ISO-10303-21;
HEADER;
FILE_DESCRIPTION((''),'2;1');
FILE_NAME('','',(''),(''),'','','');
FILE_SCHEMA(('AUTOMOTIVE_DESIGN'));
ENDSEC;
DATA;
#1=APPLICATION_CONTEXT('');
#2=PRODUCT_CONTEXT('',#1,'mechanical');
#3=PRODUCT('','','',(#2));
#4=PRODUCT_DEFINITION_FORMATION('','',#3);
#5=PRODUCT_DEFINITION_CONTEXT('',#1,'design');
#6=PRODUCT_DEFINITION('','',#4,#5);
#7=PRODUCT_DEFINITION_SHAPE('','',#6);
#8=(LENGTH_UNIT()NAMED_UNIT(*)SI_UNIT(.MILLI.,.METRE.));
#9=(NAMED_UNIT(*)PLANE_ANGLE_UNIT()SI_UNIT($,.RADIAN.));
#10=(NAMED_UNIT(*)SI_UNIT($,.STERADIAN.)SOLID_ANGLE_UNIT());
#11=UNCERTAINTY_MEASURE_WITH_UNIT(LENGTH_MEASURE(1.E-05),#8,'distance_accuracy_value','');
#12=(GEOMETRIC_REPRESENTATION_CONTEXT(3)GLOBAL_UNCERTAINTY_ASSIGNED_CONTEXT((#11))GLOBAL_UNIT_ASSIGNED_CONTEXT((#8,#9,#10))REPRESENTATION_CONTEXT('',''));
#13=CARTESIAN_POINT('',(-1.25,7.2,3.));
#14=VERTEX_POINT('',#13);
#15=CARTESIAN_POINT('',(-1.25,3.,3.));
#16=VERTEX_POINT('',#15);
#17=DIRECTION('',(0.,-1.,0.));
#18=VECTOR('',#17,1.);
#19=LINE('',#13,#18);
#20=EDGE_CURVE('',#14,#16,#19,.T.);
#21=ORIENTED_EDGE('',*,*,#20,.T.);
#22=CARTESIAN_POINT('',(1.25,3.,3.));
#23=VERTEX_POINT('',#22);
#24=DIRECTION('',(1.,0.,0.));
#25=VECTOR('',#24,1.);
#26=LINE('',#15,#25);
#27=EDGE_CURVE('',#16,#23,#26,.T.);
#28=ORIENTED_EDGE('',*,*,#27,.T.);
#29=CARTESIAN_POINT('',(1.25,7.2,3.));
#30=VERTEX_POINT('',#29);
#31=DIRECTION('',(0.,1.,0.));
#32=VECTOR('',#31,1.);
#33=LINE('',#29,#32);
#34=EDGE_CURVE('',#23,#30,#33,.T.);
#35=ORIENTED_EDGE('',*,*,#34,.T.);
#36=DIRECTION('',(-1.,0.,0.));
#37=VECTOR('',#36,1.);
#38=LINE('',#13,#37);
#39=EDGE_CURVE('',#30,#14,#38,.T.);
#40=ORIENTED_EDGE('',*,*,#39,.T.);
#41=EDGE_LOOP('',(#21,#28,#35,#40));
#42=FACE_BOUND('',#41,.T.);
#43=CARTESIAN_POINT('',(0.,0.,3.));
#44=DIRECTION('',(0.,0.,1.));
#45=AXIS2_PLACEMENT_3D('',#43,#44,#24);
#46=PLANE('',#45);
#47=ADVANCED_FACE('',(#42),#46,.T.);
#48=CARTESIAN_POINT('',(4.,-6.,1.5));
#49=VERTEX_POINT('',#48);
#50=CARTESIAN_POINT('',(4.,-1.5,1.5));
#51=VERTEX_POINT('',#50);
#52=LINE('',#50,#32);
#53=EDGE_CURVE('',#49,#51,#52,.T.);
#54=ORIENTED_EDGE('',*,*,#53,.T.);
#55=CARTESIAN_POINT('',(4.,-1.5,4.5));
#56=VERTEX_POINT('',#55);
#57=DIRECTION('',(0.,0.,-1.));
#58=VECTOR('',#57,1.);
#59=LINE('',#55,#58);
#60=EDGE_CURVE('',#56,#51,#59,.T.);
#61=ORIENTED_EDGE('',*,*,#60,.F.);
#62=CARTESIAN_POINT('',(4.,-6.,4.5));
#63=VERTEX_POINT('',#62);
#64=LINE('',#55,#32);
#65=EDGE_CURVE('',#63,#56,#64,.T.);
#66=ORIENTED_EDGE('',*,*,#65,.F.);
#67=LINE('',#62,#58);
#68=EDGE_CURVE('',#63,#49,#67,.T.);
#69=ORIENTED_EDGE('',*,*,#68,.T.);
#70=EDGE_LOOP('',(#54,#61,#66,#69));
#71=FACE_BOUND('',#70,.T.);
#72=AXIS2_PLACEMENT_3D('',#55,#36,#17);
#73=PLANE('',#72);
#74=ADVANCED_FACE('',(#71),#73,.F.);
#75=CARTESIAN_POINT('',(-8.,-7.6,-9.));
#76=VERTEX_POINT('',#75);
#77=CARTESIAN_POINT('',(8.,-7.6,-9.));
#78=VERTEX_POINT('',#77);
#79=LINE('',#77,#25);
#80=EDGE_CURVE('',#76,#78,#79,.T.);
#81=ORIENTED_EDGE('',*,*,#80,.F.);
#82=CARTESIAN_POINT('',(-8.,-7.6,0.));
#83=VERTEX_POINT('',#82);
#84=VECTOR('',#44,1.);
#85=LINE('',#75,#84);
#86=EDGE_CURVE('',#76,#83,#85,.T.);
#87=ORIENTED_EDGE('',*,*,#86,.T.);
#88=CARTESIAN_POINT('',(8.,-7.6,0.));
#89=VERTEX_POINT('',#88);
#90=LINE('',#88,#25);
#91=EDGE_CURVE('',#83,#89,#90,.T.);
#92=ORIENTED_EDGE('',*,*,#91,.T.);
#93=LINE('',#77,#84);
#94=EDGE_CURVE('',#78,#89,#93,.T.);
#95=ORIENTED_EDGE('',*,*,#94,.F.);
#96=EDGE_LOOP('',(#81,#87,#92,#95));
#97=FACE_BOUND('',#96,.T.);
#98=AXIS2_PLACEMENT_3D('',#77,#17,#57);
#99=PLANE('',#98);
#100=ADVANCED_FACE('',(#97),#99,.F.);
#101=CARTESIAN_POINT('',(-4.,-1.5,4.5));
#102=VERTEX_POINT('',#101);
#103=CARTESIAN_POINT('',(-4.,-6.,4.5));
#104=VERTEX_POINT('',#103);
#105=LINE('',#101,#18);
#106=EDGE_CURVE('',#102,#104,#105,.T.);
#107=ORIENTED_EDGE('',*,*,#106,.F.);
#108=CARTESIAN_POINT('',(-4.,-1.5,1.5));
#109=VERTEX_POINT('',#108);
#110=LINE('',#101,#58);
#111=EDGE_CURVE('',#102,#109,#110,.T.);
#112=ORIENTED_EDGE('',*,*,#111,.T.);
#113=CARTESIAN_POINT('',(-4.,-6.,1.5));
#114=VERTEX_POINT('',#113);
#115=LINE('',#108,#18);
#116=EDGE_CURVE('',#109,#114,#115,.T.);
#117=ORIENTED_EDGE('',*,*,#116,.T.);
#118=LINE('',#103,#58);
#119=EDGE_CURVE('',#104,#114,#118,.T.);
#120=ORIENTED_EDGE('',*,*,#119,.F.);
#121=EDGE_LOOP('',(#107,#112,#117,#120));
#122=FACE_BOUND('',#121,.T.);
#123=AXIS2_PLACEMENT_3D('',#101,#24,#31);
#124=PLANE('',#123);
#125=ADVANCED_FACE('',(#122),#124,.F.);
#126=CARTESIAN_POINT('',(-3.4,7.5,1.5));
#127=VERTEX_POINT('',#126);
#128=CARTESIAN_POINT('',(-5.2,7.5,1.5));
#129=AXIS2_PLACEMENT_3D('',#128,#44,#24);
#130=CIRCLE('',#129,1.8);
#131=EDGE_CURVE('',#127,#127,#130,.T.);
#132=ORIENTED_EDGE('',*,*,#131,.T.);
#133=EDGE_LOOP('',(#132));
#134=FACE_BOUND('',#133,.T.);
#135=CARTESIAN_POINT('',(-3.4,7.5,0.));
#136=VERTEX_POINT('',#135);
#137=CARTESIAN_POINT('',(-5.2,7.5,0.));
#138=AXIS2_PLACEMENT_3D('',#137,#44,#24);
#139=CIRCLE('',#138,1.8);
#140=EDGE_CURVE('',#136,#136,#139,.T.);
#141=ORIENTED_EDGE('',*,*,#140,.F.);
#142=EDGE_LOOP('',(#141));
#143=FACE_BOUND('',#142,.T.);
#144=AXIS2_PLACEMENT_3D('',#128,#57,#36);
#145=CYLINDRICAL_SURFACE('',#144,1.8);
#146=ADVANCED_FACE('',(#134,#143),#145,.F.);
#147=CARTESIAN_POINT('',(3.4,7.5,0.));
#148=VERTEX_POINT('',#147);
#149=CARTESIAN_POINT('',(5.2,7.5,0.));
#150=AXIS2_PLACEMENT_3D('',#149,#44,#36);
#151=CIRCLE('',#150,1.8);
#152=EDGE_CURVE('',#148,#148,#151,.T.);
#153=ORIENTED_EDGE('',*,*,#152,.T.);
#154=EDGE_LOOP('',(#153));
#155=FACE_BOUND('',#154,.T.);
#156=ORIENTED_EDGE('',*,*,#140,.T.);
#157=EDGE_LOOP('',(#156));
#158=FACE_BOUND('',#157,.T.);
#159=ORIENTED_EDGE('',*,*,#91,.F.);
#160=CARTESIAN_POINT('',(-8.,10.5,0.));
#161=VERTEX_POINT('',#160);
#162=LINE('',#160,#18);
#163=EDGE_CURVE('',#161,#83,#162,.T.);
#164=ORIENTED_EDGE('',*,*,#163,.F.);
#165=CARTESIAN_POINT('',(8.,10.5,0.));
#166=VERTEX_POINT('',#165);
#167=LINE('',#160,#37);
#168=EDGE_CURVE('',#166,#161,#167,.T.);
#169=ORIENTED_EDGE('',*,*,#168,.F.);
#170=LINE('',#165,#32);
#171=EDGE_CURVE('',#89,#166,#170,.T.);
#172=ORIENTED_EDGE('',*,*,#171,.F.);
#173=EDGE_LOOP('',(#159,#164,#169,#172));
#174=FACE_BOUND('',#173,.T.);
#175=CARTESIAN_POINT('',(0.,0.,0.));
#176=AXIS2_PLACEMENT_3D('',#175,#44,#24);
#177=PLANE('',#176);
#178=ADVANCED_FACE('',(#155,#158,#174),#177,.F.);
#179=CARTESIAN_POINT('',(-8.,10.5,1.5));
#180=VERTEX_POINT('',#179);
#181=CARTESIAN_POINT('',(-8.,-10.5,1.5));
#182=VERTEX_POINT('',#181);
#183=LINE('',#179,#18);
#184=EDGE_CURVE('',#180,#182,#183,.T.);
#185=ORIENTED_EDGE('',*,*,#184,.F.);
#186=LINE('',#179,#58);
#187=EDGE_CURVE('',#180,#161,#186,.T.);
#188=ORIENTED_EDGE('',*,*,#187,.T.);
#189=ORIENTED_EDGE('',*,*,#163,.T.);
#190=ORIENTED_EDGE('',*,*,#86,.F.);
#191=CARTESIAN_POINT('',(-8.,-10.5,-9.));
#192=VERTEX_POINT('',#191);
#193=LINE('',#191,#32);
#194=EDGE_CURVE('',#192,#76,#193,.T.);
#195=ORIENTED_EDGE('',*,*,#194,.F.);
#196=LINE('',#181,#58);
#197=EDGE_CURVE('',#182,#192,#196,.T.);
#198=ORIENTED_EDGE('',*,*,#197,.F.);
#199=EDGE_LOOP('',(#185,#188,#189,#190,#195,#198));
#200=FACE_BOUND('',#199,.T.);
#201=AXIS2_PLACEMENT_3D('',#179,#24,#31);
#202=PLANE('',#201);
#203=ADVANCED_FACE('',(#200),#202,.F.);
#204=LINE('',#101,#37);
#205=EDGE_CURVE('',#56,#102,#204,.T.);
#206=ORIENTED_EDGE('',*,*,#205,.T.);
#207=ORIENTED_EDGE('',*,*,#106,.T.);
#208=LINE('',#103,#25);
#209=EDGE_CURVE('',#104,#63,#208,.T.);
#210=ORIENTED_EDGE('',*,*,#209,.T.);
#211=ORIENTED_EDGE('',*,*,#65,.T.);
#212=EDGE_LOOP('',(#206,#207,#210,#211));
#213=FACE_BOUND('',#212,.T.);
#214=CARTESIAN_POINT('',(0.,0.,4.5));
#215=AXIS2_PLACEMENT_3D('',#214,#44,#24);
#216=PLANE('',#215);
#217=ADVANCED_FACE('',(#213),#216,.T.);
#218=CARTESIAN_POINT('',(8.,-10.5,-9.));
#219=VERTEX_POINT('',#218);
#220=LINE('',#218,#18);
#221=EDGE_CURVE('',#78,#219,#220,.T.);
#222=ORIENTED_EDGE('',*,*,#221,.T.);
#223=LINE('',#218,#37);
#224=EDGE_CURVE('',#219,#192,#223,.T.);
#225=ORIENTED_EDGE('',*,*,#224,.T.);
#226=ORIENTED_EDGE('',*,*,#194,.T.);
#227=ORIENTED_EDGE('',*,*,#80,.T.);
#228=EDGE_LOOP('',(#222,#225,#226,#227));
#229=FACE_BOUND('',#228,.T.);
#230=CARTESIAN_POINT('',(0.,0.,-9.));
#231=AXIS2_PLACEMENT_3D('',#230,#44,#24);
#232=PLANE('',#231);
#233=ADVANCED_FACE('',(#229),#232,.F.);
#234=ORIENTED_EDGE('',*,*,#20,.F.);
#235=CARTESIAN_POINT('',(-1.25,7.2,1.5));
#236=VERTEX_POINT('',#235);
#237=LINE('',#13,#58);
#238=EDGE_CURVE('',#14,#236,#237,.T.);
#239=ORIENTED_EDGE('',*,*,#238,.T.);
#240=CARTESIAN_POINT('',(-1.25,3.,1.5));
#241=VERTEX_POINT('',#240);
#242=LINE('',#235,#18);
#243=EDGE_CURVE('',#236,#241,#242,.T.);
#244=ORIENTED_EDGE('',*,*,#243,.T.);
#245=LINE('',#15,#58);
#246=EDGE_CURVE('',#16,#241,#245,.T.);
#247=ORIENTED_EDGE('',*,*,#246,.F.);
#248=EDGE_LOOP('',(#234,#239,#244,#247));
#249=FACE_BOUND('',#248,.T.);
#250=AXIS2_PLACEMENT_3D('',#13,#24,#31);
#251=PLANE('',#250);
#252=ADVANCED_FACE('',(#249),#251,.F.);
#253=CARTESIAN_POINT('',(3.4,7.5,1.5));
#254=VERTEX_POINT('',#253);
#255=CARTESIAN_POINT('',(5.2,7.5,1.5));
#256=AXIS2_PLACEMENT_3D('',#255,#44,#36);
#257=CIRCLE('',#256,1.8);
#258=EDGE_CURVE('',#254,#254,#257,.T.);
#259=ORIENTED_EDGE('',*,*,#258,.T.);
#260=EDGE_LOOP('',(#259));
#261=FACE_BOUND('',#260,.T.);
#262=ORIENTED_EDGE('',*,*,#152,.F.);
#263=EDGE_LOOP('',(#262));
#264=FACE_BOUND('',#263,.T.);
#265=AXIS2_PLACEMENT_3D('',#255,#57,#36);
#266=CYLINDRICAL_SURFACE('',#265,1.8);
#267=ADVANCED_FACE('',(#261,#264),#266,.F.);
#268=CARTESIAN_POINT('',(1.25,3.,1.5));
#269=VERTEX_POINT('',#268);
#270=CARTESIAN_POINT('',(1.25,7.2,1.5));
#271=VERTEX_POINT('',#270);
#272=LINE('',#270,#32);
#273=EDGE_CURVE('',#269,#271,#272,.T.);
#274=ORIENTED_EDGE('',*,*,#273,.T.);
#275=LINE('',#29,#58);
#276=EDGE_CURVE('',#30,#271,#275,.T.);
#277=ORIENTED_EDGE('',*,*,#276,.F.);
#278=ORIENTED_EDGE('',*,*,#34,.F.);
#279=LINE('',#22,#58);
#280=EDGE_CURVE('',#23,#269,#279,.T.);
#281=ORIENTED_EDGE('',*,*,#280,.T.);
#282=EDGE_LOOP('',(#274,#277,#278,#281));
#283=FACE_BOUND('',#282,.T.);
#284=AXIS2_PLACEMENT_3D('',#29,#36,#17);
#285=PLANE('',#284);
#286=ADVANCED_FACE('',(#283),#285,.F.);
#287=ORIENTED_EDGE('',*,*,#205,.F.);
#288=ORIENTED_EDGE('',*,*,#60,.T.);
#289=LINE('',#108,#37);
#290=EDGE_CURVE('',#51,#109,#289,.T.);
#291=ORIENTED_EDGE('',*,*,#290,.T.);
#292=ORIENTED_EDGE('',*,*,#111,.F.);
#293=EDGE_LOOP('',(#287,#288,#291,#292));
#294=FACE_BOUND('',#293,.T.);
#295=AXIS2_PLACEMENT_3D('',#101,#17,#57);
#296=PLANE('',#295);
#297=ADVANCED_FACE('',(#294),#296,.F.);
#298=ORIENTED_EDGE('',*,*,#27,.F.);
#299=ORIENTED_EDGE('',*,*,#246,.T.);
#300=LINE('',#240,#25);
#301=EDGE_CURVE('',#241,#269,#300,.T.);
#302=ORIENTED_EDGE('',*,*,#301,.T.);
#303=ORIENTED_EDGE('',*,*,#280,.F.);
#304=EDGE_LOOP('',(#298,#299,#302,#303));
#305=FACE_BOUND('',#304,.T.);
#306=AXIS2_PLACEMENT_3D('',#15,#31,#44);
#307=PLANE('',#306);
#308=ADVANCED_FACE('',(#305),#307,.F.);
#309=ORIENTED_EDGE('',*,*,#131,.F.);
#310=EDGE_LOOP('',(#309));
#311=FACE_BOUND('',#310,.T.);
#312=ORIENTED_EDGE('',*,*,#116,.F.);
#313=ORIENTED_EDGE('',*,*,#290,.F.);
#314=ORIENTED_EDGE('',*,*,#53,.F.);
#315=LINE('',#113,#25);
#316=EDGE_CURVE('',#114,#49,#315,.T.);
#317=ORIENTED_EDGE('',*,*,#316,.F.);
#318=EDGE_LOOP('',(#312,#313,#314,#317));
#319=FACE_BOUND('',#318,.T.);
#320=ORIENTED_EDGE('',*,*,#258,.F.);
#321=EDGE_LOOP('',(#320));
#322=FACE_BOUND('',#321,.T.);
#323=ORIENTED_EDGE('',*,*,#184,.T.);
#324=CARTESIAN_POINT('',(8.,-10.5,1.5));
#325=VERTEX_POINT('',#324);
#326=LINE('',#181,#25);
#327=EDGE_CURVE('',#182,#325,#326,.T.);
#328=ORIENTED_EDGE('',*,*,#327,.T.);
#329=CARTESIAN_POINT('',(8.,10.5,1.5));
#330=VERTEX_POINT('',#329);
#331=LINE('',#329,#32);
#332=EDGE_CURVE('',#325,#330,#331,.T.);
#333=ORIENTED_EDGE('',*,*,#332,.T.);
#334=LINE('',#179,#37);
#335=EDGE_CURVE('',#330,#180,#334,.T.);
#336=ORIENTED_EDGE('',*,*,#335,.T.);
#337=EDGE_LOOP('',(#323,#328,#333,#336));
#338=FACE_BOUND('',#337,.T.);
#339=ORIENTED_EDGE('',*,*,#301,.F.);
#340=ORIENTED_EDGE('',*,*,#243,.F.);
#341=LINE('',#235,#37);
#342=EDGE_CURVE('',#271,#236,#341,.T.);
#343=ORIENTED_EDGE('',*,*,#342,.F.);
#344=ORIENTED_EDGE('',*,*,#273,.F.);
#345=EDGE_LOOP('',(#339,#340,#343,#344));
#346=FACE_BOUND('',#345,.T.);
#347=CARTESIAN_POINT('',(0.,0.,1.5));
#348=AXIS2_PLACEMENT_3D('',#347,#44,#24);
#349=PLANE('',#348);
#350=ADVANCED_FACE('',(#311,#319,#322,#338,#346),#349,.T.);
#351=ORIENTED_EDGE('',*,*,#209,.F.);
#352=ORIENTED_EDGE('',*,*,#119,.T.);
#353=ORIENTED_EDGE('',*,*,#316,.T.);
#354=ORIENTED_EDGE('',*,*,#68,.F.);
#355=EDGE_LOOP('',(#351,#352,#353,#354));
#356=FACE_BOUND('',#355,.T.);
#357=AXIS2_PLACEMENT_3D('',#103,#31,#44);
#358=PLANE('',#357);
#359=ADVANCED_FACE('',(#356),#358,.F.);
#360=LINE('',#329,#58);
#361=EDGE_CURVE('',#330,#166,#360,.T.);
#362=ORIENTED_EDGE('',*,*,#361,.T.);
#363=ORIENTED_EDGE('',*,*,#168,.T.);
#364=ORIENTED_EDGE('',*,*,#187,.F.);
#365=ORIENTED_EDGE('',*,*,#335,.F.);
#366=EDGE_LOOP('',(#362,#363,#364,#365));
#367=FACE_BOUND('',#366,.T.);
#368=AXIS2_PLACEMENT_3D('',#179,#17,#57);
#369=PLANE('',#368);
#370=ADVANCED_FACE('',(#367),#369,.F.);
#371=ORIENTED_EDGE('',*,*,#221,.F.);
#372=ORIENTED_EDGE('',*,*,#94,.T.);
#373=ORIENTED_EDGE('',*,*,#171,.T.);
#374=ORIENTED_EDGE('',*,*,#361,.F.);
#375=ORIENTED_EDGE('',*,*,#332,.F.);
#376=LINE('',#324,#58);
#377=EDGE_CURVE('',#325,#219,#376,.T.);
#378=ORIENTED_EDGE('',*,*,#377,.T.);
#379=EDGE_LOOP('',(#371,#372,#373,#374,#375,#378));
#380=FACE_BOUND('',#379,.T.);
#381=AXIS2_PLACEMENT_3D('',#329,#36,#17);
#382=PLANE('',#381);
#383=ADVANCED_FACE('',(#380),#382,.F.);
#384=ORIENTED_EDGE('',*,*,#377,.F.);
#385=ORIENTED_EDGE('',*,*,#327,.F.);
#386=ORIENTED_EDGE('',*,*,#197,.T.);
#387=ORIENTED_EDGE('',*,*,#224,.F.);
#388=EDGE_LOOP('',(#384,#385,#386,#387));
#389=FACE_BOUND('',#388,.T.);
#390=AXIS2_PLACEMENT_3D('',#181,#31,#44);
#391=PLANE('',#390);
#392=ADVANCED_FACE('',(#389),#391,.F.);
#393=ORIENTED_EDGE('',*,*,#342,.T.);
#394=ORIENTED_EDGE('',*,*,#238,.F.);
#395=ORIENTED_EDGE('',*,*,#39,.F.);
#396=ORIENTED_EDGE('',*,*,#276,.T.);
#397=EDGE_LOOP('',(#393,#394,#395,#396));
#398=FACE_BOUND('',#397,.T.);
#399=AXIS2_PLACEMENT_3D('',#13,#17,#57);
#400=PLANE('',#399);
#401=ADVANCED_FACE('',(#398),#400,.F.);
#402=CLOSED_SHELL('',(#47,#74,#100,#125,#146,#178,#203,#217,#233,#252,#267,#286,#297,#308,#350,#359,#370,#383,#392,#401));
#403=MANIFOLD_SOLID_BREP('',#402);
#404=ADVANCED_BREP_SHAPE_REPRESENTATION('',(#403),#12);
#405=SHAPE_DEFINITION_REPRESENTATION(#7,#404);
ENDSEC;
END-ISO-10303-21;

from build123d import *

# Parameters (mm, degrees)
SKETCH1_W           = 16
SKETCH1_H           = 21
SKETCH1_R           = 1.8
BOSS_EXTRUDE1_DEPTH = 1.5
SKETCH2_W           = 2.5
SKETCH2_H           = 4.2
BOSS_EXTRUDE2_DEPTH = 1.5
SKETCH3_W           = 8
SKETCH3_H           = 4.5
BOSS_EXTRUDE3_DEPTH = 3
SKETCH4_W           = 16
SKETCH4_H           = 2.9
BOSS_EXTRUDE4_DEPTH = 9


with BuildPart() as part:
    # Sketch1 → Boss-Extrude1 (new body)
    with BuildSketch(Plane.XY):
        Rectangle(SKETCH1_W, SKETCH1_H)
        with Locations((-5.2, 7.5)):
            Circle(SKETCH1_R, mode=Mode.SUBTRACT)
        with Locations(Location((5.2, 7.5, 0), (0, 0, 180))):
            Circle(SKETCH1_R, mode=Mode.SUBTRACT)
    extrude(amount=BOSS_EXTRUDE1_DEPTH)

    # Sketch2 → Boss-Extrude2 (add)
    with BuildSketch(Plane.XY.offset(1.5)):
        with Locations((0, 5.1)):
            Rectangle(SKETCH2_W, SKETCH2_H)
    extrude(amount=BOSS_EXTRUDE2_DEPTH)

    # Sketch3 → Boss-Extrude3 (add)
    with BuildSketch(Plane.XY.offset(1.5)):
        with Locations((0, -3.75)):
            Rectangle(SKETCH3_W, SKETCH3_H)
    extrude(amount=BOSS_EXTRUDE3_DEPTH)

    # Sketch4 → Boss-Extrude4 (add)
    with BuildSketch(Plane(origin=(0, 0, 0), x_dir=(-1, 0, 0), z_dir=(0, 0, -1))):
        with Locations((0, -9.05)):
            Rectangle(SKETCH4_W, SKETCH4_H)
    extrude(amount=BOSS_EXTRUDE4_DEPTH)


solid = part.part
